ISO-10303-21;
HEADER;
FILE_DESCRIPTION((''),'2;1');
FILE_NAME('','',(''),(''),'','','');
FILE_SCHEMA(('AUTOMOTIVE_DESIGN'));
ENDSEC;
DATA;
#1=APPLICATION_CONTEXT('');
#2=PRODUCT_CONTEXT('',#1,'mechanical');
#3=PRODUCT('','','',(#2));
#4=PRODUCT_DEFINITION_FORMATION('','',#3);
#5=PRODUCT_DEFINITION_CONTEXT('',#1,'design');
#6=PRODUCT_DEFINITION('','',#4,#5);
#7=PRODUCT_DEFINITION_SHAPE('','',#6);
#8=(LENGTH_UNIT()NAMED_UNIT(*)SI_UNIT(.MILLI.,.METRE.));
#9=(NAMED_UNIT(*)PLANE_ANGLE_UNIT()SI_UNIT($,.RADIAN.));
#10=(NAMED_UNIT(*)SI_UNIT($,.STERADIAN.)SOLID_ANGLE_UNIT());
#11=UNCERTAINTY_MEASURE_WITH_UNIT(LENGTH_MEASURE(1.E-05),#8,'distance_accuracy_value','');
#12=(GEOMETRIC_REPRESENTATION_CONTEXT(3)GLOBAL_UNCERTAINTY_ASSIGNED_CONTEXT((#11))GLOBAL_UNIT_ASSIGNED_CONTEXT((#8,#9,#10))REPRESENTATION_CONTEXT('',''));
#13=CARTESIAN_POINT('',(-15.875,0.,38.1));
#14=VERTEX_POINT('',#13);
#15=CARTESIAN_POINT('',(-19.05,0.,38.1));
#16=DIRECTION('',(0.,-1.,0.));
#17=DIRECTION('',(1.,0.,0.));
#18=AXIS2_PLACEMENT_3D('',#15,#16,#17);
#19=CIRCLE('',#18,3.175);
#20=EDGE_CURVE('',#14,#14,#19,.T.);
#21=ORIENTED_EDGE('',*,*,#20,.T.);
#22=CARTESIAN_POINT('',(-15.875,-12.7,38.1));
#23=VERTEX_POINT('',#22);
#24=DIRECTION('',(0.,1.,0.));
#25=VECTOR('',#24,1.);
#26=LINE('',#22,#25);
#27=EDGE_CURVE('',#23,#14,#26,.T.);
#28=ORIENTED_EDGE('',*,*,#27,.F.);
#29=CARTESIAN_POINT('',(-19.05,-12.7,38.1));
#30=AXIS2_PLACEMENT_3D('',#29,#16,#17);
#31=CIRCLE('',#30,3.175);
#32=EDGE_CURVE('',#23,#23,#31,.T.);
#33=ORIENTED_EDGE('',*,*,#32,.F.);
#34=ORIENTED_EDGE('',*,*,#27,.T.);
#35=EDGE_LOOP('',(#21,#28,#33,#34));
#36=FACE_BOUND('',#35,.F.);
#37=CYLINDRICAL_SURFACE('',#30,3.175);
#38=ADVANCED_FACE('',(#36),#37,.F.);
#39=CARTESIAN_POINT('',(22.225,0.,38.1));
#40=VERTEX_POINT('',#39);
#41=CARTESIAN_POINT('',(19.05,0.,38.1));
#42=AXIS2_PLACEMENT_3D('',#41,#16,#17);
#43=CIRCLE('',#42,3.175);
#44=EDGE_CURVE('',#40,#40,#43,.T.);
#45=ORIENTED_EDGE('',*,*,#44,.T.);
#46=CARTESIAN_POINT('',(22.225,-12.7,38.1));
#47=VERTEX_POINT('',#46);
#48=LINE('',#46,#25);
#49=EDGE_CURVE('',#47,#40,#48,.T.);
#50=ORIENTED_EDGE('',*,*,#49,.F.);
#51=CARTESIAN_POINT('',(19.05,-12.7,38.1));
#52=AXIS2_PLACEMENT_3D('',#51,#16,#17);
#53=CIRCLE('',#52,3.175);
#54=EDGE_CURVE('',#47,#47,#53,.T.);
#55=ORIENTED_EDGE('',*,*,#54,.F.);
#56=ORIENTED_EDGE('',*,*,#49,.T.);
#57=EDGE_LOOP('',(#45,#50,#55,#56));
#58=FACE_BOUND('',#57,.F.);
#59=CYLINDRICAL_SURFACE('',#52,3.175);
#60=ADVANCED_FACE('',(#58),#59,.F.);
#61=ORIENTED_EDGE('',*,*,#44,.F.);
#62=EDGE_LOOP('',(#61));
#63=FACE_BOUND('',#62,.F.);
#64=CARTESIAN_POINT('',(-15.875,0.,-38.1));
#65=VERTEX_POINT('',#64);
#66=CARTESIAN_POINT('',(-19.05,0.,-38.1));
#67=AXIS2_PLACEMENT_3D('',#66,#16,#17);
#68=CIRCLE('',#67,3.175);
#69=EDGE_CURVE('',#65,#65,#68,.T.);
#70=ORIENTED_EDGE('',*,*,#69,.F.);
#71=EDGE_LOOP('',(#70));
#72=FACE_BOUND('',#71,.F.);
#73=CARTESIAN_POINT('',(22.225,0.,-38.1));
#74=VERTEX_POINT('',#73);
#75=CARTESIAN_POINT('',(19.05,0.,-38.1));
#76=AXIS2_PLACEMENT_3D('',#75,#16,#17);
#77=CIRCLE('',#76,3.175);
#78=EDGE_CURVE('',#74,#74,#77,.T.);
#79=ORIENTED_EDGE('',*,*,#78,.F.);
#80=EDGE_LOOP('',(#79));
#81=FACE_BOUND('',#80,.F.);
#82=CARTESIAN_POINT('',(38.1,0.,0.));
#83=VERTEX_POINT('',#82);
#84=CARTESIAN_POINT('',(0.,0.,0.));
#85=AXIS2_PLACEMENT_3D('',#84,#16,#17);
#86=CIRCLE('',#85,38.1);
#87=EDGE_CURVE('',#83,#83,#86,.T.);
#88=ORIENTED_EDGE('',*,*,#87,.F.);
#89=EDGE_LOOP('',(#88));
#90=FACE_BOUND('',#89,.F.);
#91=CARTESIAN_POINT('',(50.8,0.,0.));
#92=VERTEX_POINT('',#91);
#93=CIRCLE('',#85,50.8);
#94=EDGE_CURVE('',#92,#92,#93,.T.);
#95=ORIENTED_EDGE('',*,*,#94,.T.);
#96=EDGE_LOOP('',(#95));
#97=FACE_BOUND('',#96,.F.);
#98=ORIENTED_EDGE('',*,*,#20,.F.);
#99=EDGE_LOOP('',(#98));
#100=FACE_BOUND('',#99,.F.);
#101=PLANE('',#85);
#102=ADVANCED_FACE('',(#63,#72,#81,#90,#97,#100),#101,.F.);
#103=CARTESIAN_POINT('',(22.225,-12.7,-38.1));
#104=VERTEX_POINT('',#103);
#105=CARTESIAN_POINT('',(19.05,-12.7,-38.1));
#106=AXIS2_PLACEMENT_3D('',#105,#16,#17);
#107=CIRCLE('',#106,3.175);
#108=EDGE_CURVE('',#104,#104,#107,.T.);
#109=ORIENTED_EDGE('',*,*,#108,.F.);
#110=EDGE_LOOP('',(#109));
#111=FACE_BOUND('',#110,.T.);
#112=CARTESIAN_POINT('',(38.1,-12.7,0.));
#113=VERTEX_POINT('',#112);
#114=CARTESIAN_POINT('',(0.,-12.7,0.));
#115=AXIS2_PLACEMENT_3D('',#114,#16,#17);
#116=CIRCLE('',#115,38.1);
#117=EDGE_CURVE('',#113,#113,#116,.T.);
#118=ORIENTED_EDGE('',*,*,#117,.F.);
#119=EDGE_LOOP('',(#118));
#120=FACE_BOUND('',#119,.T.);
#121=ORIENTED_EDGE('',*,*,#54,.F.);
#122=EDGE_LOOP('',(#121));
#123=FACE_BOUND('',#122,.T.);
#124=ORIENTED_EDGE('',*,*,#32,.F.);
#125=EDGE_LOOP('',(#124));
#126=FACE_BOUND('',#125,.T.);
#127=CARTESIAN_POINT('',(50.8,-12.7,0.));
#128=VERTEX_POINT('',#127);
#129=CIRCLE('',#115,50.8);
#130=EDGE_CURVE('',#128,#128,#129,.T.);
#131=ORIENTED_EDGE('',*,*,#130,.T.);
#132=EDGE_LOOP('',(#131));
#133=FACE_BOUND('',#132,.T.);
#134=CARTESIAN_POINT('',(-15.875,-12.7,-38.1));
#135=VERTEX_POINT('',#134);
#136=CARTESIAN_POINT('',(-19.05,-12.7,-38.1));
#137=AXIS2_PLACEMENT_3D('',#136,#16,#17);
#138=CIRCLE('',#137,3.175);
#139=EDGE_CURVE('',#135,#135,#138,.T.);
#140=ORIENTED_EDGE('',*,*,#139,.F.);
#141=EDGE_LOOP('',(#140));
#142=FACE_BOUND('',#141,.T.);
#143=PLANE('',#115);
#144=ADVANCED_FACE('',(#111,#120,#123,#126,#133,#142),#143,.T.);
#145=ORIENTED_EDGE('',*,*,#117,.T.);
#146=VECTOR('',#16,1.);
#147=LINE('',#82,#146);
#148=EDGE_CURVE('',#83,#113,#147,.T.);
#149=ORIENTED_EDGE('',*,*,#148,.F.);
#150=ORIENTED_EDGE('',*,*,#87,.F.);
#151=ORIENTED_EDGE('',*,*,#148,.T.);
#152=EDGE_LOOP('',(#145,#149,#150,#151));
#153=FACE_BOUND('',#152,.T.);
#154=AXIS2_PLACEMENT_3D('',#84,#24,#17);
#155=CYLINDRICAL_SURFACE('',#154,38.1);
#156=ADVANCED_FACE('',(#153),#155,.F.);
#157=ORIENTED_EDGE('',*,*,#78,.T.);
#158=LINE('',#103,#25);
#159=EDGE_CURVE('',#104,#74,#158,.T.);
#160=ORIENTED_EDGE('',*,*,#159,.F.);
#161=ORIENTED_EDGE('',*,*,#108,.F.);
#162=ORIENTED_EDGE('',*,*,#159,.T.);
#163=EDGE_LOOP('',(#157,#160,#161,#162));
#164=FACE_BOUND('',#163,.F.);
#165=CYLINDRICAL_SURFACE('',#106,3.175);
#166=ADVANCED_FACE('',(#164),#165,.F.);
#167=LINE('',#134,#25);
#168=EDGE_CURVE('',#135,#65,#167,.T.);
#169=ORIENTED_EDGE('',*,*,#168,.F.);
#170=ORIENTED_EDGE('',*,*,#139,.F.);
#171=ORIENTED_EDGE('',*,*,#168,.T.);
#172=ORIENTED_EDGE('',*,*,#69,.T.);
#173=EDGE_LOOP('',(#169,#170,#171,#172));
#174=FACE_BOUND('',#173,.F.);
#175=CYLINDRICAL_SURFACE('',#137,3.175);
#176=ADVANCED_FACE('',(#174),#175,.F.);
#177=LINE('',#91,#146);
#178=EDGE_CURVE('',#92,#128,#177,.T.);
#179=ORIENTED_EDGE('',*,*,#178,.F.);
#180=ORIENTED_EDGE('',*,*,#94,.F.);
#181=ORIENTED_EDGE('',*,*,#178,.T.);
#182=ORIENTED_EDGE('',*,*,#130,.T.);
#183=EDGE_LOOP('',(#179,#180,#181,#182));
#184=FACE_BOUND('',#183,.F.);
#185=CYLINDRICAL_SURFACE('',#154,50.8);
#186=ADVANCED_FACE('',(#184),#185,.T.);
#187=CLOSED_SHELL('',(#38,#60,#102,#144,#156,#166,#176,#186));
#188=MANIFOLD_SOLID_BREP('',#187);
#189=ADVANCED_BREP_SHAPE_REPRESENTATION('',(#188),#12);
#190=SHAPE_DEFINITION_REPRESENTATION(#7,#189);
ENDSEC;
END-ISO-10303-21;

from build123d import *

# Parameters (mm, degrees)
F0_R     = 50.8
F0_R_2   = 38.1
F1_DEPTH = 12.7
F2_R     = 3.175
F3_DEPTH = 12.7


with BuildPart() as f1:
    # F0 (on Front) → F1 (new body)
    with BuildSketch(Plane.XZ):
        Circle(F0_R)
        Circle(F0_R_2, mode=Mode.SUBTRACT)
    extrude(amount=F1_DEPTH)

    # F2 (on face) → F3 (cut)
    with BuildSketch(Plane.XZ.offset(12.7)):
        with Locations((-19.05, 38.1)):
            Circle(F2_R)
        with Locations((19.05, 38.1)):
            Circle(F2_R)
        with Locations((19.05, -38.1)):
            Circle(F2_R)
        with Locations((-19.05, -38.1)):
            Circle(F2_R)
    extrude(amount=-F3_DEPTH, mode=Mode.SUBTRACT)


solid = f1.part
